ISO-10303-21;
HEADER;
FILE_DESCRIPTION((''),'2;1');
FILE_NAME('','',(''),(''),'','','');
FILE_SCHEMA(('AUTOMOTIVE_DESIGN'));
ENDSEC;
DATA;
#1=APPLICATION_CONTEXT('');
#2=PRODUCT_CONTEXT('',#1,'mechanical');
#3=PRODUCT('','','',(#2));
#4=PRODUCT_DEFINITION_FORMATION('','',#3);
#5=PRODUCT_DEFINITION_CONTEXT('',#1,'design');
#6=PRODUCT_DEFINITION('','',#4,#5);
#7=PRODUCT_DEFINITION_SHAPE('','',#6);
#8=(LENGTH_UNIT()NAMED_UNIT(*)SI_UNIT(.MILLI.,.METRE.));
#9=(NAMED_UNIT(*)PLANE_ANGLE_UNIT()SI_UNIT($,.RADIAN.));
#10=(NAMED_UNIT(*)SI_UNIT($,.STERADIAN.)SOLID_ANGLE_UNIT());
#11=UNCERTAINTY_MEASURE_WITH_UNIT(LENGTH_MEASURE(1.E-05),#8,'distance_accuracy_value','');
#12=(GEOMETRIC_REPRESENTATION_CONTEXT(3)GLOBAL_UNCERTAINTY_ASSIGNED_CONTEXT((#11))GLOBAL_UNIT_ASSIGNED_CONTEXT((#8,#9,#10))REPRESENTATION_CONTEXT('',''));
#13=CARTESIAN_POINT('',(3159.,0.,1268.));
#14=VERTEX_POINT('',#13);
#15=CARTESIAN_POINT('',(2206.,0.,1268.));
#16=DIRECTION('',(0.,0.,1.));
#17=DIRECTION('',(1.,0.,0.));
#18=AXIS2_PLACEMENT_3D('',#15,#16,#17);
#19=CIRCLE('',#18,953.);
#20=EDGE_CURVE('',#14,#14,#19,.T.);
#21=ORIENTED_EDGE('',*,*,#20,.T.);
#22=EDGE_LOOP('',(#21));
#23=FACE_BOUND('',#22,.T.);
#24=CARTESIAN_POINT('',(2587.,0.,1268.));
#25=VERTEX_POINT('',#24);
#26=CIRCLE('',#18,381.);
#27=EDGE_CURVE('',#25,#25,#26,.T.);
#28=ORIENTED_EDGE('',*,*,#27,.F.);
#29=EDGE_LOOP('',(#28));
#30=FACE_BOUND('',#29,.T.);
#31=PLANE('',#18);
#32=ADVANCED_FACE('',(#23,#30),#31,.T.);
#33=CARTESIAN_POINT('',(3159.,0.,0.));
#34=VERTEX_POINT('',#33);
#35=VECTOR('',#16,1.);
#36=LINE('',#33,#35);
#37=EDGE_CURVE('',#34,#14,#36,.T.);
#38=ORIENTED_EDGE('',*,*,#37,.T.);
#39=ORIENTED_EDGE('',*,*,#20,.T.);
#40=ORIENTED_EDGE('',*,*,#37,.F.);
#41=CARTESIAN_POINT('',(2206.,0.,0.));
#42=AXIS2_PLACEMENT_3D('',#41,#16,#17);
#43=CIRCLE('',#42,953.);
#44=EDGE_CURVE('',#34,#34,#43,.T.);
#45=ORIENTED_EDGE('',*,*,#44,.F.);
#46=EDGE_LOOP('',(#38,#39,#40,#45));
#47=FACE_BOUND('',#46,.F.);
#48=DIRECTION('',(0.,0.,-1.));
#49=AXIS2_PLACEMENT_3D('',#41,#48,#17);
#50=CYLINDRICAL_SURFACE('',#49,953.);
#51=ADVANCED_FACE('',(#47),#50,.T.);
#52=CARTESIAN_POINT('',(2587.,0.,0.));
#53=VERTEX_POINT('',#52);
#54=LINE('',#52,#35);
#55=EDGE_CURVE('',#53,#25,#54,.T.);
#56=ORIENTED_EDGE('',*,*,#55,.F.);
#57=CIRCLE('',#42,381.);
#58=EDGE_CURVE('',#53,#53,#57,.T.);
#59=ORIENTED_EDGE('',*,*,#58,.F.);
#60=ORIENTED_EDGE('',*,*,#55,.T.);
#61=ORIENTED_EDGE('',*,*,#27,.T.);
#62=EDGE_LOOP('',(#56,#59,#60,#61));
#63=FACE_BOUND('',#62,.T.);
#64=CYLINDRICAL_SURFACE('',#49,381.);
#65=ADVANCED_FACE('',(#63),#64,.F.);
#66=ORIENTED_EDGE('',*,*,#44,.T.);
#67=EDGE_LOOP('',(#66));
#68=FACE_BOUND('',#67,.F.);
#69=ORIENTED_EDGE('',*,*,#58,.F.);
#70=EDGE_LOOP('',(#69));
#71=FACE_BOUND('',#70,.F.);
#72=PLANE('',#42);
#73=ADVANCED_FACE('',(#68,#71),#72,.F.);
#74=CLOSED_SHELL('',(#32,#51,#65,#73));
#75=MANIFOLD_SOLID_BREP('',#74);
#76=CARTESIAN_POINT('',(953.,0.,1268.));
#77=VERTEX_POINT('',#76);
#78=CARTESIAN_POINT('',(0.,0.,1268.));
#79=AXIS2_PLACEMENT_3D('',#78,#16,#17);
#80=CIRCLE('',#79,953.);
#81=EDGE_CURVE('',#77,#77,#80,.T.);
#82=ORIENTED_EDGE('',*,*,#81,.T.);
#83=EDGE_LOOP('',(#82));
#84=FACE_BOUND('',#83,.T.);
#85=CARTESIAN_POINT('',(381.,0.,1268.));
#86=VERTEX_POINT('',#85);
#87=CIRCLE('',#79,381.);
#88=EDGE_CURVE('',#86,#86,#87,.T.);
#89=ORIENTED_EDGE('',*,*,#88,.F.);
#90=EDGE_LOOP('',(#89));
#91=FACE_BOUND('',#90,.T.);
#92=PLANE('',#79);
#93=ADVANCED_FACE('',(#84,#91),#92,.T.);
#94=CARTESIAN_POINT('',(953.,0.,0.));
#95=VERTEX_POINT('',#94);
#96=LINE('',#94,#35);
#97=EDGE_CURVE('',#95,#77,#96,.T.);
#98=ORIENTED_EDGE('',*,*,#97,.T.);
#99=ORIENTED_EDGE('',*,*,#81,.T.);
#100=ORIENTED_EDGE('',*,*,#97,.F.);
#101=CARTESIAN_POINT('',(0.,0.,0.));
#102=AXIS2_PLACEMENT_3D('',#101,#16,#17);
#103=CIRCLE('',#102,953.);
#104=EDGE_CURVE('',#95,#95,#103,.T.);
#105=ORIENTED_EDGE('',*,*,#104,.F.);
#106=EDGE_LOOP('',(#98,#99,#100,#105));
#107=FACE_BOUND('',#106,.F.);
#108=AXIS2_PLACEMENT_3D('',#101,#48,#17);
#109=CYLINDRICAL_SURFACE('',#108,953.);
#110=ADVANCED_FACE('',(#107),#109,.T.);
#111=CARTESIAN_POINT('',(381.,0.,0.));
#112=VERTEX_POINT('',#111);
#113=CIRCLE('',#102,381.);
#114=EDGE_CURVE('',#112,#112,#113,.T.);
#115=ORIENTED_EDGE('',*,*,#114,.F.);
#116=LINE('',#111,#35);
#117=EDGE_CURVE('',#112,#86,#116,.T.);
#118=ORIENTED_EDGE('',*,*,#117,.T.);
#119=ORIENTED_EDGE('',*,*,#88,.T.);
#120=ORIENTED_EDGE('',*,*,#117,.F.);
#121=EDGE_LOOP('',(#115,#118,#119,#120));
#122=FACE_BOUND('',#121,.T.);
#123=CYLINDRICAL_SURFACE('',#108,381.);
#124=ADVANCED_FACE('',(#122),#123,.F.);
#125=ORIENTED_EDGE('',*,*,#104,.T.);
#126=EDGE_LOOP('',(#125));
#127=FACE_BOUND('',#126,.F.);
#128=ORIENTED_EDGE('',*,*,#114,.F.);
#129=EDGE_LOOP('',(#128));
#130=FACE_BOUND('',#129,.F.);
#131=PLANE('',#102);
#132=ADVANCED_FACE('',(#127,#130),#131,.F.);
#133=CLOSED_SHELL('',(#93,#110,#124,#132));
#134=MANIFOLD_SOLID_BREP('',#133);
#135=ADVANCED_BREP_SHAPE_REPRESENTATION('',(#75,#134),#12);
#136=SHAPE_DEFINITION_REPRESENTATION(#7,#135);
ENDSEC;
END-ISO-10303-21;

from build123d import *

# Parameters (mm, degrees)
SZKIC1_R                      = 953
SZKIC1_R_2                    = 381
DODANIE_WYCI_GNI_CIE2_DEPTH   = 1268
DODANIE_WYCI_GNI_CIE2_2_DEPTH = 1268


with BuildPart() as part:
    # Szkic1 → Dodanie-wyciągnięcie2 (new body)
    with BuildSketch(Plane.XY):
        with Locations((2206, 0)):
            Circle(SZKIC1_R)
        with Locations((2206, 0)):
            Circle(SZKIC1_R_2, mode=Mode.SUBTRACT)
    extrude(amount=DODANIE_WYCI_GNI_CIE2_DEPTH)


with BuildPart() as body_2:
    # Szkic1 → Dodanie-wyci_gni_cie2 2 (new body)
    with BuildSketch(Plane.XY):
        Circle(SZKIC1_R)
        Circle(SZKIC1_R_2, mode=Mode.SUBTRACT)
    extrude(amount=DODANIE_WYCI_GNI_CIE2_2_DEPTH)


solid = Compound([part.part, body_2.part])
